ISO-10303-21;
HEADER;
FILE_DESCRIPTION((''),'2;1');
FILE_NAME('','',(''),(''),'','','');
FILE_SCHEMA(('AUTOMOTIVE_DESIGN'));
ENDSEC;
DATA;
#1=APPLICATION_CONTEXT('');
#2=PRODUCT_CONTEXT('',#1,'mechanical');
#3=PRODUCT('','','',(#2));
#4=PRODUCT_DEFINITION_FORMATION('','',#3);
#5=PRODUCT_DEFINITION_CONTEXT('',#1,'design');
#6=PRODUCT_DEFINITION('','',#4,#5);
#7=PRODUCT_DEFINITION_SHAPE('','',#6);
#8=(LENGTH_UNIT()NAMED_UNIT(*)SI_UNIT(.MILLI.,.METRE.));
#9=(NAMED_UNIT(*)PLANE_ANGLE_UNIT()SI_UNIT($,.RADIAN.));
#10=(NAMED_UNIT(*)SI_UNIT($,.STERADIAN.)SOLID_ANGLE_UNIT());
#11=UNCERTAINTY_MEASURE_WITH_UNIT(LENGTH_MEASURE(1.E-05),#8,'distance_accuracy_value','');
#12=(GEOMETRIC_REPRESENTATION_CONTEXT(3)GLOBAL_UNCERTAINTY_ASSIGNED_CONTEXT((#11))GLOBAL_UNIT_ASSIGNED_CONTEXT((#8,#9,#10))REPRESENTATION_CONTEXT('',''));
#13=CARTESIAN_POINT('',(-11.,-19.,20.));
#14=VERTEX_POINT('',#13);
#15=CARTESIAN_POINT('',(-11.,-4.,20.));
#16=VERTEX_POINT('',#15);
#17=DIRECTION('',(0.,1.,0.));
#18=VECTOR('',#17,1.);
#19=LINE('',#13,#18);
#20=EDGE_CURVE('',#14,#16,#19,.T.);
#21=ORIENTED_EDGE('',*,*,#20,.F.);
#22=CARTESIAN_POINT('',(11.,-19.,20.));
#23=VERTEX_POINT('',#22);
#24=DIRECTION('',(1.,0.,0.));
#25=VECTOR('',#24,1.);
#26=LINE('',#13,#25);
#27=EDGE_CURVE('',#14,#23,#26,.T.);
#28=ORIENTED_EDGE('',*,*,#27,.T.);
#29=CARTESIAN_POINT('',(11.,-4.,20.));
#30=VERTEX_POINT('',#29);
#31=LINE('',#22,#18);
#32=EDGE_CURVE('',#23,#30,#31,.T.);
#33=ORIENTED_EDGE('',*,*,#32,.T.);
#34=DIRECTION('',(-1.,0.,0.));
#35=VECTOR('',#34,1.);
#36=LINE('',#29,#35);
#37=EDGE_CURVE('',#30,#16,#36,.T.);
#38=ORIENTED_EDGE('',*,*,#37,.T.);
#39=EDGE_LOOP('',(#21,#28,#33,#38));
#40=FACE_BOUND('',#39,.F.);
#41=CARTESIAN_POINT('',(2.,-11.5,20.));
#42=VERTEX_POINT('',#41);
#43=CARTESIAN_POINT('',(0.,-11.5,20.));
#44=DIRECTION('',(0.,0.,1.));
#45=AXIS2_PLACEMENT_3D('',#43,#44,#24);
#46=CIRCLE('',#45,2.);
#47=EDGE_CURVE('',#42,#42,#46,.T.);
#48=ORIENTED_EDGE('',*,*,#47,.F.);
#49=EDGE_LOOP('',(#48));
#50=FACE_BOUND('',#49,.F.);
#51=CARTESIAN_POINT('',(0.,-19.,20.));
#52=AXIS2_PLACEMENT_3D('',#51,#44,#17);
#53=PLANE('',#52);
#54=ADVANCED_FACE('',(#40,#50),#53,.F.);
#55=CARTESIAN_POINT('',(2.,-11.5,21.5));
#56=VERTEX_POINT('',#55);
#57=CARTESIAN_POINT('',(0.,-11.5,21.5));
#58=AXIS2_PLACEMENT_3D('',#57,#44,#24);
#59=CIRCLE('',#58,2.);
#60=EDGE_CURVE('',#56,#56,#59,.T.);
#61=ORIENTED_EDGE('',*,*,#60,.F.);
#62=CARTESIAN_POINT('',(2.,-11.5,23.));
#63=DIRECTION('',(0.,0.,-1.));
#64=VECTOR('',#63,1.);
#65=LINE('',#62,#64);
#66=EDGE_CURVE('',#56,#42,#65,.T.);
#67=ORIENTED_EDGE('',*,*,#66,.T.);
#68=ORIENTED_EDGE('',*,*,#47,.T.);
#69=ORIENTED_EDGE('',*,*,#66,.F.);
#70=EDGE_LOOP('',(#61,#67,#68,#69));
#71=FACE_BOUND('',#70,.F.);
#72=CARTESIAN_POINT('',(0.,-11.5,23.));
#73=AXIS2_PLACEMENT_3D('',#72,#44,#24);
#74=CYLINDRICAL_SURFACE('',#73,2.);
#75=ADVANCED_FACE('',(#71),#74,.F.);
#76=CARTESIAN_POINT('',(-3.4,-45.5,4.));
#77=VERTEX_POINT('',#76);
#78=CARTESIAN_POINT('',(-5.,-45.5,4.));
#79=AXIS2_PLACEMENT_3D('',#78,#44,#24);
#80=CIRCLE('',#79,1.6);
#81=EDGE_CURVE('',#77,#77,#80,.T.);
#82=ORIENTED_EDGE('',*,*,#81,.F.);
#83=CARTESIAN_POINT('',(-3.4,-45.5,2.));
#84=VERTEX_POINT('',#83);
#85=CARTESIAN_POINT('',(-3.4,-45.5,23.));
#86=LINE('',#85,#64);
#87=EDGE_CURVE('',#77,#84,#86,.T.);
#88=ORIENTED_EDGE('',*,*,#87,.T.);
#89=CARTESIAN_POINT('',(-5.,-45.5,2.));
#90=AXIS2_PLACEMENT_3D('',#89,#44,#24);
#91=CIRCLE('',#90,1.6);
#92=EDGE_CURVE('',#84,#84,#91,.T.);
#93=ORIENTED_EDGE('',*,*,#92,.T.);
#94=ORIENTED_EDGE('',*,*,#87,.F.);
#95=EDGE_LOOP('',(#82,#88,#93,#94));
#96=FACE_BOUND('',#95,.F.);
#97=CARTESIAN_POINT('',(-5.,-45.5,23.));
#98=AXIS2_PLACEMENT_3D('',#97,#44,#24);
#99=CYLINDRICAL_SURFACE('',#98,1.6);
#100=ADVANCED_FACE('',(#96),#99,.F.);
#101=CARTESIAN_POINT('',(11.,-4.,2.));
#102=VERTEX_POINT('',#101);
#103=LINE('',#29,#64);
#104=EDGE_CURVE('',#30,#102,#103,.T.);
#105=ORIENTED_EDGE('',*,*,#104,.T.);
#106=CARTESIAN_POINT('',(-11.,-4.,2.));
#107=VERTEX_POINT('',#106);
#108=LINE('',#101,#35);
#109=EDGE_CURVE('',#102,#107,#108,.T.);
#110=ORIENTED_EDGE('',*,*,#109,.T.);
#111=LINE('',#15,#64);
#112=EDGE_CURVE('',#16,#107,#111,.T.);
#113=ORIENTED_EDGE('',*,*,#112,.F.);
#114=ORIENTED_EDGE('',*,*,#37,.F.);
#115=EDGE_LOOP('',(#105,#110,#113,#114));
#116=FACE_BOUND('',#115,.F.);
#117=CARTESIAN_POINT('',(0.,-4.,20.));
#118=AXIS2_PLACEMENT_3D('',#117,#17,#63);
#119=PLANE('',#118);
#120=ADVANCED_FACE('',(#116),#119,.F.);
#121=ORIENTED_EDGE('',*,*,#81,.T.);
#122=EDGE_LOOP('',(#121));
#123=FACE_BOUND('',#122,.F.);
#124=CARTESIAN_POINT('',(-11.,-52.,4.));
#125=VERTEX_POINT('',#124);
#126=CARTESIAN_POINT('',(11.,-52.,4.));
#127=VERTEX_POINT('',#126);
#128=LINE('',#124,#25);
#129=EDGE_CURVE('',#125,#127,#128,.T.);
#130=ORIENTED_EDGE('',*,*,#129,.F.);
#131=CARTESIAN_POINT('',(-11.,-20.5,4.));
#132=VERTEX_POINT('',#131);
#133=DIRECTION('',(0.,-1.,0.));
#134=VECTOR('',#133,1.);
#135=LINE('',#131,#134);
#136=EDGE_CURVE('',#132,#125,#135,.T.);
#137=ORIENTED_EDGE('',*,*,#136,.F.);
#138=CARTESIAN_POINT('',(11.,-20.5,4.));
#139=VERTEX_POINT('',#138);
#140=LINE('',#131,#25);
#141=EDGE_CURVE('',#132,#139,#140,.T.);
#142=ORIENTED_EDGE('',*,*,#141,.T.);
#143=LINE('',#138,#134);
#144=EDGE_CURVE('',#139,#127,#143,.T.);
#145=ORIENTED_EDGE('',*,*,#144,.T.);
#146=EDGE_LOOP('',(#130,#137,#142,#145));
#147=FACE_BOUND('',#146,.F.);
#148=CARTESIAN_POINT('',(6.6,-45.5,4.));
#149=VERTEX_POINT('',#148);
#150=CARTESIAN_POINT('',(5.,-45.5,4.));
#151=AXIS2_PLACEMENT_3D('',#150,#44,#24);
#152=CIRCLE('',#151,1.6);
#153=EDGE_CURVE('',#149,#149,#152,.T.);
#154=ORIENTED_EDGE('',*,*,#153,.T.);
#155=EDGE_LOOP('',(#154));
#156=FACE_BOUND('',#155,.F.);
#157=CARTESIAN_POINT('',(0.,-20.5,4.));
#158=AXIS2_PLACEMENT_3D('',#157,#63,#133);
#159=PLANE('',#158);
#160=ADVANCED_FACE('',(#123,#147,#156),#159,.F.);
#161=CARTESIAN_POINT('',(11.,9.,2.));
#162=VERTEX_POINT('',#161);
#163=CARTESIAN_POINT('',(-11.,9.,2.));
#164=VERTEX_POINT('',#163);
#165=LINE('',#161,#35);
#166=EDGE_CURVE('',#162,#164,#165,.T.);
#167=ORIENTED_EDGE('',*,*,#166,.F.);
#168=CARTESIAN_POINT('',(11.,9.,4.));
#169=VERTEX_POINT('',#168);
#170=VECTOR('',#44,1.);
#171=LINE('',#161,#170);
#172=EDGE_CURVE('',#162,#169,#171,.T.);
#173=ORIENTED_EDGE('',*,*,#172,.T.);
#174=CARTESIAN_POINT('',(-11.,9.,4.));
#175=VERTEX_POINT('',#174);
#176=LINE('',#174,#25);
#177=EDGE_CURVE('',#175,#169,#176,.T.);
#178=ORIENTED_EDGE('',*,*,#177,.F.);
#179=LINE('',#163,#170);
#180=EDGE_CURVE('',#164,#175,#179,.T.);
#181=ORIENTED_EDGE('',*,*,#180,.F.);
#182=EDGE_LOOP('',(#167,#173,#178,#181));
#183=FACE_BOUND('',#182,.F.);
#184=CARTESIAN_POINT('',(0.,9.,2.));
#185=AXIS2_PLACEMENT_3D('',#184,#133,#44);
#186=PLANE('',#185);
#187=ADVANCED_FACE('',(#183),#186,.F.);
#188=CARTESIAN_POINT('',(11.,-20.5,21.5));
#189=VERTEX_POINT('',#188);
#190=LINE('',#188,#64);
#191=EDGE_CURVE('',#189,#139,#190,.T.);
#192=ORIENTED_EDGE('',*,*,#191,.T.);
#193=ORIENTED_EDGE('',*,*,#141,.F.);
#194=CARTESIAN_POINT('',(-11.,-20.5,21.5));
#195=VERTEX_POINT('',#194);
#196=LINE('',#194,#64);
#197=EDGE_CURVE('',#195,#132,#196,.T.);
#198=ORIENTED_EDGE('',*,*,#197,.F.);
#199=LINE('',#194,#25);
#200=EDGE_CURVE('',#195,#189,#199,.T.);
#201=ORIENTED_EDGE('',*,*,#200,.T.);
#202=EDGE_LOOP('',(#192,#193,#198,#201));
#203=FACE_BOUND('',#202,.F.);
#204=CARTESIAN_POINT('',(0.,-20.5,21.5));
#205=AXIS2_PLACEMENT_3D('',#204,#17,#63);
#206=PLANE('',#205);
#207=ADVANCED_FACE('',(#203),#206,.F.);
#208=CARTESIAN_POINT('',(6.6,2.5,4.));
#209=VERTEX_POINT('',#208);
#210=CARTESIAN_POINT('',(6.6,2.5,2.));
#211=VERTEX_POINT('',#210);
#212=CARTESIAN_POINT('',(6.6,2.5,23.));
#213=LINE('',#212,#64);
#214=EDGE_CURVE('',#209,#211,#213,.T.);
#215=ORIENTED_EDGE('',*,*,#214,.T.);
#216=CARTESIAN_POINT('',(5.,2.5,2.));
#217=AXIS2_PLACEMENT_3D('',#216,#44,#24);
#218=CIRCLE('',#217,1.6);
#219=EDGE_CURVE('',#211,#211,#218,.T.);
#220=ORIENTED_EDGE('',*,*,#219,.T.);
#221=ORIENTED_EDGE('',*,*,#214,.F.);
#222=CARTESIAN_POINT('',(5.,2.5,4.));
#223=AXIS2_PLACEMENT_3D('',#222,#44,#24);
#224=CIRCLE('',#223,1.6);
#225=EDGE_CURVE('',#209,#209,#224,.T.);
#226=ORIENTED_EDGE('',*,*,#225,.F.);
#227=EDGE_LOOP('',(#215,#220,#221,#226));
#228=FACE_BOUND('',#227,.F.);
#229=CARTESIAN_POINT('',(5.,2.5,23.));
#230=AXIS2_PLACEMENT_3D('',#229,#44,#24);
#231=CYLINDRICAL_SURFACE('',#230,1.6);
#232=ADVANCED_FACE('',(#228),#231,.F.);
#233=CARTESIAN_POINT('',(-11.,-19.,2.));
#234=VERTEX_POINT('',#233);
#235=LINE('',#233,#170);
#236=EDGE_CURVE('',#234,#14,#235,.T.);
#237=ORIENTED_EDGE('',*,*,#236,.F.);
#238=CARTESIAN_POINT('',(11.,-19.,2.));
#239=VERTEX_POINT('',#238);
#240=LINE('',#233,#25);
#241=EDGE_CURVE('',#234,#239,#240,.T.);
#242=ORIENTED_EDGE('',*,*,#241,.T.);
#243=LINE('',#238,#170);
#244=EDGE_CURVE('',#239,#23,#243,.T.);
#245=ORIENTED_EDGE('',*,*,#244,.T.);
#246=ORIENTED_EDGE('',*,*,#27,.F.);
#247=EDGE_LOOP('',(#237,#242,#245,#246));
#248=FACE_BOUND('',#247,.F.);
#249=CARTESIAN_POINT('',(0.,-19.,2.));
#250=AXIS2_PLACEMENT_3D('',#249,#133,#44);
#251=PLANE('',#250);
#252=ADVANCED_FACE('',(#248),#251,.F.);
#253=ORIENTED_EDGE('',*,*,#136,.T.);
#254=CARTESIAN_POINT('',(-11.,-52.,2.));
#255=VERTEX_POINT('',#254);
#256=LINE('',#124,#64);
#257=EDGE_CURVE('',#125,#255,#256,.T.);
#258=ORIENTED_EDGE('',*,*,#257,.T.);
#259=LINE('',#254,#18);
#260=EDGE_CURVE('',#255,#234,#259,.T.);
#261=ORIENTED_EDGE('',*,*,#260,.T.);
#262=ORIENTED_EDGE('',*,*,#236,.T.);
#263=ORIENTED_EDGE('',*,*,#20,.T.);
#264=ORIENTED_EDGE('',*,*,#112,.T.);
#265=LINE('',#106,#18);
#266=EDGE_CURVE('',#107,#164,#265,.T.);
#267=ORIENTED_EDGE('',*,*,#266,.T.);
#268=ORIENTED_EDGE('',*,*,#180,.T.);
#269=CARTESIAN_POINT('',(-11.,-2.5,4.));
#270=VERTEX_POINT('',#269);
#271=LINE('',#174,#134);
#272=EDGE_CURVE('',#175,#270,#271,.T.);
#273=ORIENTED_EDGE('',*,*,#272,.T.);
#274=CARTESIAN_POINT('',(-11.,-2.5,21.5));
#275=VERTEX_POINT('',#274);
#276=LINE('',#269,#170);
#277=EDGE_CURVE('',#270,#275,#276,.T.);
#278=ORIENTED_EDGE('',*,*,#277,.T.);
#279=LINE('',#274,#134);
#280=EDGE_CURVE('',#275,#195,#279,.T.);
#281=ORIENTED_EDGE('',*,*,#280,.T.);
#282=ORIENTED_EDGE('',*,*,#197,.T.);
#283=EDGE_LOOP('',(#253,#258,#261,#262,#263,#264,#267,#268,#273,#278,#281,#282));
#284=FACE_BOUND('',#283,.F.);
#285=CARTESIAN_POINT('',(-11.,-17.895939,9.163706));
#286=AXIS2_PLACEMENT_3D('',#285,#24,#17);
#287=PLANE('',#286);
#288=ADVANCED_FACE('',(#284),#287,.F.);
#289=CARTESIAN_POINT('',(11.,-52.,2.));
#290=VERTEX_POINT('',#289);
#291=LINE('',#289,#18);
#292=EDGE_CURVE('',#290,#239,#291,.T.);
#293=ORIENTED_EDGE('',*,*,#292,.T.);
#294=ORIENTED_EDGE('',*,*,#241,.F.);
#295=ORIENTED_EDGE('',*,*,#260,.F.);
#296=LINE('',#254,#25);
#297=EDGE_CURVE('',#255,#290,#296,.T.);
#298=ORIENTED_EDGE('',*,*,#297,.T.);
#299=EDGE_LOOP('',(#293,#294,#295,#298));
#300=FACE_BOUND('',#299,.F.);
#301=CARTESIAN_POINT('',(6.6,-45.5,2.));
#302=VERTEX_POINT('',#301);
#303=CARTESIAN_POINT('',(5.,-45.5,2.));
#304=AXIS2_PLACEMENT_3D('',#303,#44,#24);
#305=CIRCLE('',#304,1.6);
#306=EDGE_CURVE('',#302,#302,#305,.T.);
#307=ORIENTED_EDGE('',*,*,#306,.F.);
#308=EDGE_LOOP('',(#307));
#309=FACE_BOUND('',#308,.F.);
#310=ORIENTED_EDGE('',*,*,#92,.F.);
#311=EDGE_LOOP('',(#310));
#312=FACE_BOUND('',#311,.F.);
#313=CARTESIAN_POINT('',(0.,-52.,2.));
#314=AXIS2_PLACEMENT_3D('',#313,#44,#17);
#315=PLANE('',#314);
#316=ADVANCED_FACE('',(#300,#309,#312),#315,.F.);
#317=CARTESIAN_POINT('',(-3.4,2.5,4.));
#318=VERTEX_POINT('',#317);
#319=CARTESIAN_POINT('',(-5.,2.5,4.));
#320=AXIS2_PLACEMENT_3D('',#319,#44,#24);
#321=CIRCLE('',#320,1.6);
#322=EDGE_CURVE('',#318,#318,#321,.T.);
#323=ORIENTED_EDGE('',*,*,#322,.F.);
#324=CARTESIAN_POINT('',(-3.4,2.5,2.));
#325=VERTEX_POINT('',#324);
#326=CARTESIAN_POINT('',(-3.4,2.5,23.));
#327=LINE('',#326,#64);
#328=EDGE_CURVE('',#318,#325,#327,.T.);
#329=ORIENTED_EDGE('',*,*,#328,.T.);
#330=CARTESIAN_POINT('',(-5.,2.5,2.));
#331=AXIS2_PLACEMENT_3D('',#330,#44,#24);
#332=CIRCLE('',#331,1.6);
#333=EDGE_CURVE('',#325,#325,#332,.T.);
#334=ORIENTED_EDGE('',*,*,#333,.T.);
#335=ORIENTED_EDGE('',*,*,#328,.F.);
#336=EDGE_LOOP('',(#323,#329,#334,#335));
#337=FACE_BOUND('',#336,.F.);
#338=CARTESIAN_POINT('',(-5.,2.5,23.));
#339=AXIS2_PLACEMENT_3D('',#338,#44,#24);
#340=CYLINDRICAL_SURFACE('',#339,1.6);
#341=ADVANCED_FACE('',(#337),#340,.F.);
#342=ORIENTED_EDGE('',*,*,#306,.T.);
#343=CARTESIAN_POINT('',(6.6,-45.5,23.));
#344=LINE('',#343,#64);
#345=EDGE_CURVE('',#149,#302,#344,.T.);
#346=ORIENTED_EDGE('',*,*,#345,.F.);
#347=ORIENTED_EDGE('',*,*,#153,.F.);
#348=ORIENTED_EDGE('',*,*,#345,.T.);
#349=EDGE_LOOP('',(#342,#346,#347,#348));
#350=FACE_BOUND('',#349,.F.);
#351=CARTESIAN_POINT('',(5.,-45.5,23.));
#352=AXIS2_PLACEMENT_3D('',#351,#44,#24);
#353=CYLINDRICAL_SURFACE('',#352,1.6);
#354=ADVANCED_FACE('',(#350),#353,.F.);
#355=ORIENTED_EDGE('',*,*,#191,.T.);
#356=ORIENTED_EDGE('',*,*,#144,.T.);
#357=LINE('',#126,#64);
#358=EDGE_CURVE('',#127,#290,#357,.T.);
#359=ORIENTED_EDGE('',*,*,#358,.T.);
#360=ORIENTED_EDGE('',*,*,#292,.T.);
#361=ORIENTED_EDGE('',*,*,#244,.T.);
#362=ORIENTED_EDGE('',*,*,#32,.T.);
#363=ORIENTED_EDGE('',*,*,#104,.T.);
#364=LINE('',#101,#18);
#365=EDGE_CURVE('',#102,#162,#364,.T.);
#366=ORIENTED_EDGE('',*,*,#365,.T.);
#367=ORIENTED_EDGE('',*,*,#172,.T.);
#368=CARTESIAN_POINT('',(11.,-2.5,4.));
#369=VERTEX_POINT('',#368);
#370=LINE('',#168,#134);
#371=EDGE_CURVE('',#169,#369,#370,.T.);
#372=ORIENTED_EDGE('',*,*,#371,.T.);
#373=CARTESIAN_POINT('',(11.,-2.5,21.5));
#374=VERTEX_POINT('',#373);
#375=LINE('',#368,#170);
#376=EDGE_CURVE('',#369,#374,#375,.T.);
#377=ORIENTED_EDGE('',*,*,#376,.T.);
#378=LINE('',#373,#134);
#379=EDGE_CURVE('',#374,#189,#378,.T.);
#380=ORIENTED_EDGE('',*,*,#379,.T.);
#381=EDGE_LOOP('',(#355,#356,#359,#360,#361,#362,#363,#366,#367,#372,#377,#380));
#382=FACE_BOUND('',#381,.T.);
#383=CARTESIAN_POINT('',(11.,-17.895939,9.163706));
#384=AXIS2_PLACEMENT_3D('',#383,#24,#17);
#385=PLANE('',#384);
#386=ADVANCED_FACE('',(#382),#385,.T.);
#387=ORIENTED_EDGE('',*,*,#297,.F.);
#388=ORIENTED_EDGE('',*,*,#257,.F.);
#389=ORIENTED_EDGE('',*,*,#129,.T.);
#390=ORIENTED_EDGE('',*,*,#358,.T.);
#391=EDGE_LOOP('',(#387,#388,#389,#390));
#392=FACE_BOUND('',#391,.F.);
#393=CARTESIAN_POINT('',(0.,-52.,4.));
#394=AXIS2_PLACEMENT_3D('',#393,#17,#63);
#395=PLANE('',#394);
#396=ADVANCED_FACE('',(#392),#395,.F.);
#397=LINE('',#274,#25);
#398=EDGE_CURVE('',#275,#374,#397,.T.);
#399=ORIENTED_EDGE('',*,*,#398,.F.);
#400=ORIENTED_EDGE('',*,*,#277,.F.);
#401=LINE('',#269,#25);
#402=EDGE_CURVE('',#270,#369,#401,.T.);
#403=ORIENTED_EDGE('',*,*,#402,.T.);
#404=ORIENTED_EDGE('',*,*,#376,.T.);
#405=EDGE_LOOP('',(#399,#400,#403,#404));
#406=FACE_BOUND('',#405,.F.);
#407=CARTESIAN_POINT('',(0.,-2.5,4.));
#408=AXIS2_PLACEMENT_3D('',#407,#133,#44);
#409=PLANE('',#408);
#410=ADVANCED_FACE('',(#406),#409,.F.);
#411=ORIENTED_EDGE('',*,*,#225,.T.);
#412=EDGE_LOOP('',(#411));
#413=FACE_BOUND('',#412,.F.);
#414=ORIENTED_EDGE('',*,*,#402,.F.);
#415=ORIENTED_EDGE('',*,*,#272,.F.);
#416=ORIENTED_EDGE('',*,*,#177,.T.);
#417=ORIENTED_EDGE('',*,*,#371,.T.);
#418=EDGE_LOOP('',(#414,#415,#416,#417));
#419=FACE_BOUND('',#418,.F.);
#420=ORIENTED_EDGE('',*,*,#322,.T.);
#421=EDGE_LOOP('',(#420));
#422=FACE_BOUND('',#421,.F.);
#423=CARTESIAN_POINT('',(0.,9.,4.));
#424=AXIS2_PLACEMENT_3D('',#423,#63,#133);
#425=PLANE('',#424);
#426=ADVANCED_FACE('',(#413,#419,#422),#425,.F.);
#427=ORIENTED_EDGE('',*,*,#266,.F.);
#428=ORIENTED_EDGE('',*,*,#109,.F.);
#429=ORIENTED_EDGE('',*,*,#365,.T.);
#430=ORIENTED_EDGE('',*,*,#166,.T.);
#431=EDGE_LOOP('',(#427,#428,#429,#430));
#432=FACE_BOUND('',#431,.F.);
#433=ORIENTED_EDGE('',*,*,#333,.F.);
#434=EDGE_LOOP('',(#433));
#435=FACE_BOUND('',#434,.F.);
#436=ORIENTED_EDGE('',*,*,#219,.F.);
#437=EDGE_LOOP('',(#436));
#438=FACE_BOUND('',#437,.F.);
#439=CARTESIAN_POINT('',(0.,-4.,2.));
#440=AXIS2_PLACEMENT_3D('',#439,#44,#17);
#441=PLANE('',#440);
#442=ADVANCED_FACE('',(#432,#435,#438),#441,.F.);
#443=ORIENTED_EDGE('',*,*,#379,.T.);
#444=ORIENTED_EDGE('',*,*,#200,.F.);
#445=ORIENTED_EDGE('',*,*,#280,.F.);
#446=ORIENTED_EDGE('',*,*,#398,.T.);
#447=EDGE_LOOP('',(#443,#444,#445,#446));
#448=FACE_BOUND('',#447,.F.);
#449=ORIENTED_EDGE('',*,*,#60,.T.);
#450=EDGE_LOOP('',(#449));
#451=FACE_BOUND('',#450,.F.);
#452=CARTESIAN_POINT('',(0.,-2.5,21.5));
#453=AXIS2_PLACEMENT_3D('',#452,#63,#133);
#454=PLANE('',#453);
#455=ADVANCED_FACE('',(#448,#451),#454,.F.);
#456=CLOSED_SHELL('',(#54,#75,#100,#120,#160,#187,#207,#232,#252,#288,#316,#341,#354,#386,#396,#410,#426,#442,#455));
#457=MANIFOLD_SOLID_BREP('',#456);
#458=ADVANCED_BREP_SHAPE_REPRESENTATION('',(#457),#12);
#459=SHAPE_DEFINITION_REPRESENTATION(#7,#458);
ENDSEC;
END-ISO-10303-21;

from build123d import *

# Parameters (mm, degrees)
SKETCH053_R      = 1.6
SKETCH053_R_2    = 2
EXTRUDE045_DEPTH = 30
EXTRUDE044_DEPTH = 11


with BuildPart() as extrude045:
    # Sketch053 → Extrude045 (new body)
    with BuildSketch(Plane.XY.offset(23)):
        with Locations((-5, 2.5)):
            Circle(SKETCH053_R)
        with Locations((5, 2.5)):
            Circle(SKETCH053_R)
        with Locations((-5, -45.5)):
            Circle(SKETCH053_R)
        with Locations((5, -45.5)):
            Circle(SKETCH053_R)
        with Locations((0, -11.5)):
            Circle(SKETCH053_R_2)
    extrude(amount=-EXTRUDE045_DEPTH)


with BuildPart() as dummy_servo:
    # Sketch052 → Extrude044 (new body, symmetric)
    with BuildSketch(Plane(origin=(0, 0, 0), x_dir=(0, -1, 0), z_dir=(-1, 0, 0))):
        Polygon((-9, 2), (-9, 4), (2.5, 4), (2.5, 21.5), (20.5, 21.5), (20.5, 4), (52, 4), (52, 2), (19, 2), (19, 20), (4, 20), (4, 2), align=None)
    extrude(amount=EXTRUDE044_DEPTH, both=True)

    # Cut012: cut Extrude045
    add(extrude045.part, mode=Mode.SUBTRACT)


solid = dummy_servo.part
